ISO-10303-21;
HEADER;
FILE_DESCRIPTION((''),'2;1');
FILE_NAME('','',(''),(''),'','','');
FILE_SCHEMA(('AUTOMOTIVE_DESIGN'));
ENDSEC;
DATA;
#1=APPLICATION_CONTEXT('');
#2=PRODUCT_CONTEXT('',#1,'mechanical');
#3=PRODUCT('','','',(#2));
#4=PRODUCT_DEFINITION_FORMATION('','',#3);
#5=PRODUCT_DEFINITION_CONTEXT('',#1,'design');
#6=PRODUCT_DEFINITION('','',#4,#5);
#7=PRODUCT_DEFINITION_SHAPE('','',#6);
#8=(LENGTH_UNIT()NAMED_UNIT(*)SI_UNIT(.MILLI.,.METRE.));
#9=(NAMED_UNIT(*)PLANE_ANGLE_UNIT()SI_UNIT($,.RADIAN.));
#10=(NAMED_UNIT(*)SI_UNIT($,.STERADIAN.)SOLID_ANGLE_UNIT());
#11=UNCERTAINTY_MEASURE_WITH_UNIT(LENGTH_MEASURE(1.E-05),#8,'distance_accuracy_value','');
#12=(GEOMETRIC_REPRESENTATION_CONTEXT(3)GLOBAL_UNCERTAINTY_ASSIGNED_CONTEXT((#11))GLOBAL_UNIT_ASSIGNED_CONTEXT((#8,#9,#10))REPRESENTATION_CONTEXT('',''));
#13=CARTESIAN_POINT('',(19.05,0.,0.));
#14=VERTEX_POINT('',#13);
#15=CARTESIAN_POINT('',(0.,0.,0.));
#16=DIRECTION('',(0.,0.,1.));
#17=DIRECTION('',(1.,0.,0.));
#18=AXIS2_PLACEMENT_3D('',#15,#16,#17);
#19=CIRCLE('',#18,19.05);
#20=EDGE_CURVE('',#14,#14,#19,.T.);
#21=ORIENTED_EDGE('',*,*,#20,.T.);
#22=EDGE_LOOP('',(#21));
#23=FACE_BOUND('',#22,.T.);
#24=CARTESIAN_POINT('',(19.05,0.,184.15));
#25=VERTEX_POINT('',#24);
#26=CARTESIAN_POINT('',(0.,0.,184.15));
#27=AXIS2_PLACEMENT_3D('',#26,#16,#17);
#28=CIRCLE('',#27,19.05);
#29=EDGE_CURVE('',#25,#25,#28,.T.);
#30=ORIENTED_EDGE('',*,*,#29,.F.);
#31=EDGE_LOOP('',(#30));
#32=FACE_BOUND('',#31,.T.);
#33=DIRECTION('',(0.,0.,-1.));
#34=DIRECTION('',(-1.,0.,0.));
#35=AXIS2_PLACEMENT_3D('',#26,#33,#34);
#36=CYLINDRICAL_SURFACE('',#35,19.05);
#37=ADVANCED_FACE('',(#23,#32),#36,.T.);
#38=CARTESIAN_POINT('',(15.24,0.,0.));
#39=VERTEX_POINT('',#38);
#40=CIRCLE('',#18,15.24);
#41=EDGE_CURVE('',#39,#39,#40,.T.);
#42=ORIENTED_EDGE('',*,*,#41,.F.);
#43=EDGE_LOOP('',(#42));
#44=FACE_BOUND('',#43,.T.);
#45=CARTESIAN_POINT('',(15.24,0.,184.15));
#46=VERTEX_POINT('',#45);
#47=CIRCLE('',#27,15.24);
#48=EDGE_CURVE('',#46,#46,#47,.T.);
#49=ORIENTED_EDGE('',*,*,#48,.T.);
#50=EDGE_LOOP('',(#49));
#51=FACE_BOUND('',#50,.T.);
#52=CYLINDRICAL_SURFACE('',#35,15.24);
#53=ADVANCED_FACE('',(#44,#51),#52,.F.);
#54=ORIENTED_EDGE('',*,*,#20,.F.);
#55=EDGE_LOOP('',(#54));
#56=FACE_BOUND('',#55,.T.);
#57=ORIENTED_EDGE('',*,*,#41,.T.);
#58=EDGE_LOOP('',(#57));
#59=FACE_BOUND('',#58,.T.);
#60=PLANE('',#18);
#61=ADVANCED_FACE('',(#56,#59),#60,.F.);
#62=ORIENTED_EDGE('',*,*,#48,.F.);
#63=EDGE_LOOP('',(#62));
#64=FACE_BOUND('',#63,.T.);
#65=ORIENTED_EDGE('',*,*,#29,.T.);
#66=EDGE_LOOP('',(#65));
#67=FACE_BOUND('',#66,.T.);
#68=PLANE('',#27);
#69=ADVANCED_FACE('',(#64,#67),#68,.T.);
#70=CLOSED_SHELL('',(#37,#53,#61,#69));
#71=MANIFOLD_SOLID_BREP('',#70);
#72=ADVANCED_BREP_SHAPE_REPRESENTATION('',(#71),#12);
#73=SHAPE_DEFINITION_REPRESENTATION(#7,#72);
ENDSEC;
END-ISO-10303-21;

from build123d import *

# Parameters (mm, degrees)
SKETCH1_R           = 19.05
SKETCH1_R_2         = 15.24
BOSS_EXTRUDE1_DEPTH = 184.15


with BuildPart() as part:
    # Sketch1 → Boss-Extrude1 (new body)
    with BuildSketch(Plane.XY):
        Circle(SKETCH1_R)
        Circle(SKETCH1_R_2, mode=Mode.SUBTRACT)
    extrude(amount=BOSS_EXTRUDE1_DEPTH)


solid = part.part
